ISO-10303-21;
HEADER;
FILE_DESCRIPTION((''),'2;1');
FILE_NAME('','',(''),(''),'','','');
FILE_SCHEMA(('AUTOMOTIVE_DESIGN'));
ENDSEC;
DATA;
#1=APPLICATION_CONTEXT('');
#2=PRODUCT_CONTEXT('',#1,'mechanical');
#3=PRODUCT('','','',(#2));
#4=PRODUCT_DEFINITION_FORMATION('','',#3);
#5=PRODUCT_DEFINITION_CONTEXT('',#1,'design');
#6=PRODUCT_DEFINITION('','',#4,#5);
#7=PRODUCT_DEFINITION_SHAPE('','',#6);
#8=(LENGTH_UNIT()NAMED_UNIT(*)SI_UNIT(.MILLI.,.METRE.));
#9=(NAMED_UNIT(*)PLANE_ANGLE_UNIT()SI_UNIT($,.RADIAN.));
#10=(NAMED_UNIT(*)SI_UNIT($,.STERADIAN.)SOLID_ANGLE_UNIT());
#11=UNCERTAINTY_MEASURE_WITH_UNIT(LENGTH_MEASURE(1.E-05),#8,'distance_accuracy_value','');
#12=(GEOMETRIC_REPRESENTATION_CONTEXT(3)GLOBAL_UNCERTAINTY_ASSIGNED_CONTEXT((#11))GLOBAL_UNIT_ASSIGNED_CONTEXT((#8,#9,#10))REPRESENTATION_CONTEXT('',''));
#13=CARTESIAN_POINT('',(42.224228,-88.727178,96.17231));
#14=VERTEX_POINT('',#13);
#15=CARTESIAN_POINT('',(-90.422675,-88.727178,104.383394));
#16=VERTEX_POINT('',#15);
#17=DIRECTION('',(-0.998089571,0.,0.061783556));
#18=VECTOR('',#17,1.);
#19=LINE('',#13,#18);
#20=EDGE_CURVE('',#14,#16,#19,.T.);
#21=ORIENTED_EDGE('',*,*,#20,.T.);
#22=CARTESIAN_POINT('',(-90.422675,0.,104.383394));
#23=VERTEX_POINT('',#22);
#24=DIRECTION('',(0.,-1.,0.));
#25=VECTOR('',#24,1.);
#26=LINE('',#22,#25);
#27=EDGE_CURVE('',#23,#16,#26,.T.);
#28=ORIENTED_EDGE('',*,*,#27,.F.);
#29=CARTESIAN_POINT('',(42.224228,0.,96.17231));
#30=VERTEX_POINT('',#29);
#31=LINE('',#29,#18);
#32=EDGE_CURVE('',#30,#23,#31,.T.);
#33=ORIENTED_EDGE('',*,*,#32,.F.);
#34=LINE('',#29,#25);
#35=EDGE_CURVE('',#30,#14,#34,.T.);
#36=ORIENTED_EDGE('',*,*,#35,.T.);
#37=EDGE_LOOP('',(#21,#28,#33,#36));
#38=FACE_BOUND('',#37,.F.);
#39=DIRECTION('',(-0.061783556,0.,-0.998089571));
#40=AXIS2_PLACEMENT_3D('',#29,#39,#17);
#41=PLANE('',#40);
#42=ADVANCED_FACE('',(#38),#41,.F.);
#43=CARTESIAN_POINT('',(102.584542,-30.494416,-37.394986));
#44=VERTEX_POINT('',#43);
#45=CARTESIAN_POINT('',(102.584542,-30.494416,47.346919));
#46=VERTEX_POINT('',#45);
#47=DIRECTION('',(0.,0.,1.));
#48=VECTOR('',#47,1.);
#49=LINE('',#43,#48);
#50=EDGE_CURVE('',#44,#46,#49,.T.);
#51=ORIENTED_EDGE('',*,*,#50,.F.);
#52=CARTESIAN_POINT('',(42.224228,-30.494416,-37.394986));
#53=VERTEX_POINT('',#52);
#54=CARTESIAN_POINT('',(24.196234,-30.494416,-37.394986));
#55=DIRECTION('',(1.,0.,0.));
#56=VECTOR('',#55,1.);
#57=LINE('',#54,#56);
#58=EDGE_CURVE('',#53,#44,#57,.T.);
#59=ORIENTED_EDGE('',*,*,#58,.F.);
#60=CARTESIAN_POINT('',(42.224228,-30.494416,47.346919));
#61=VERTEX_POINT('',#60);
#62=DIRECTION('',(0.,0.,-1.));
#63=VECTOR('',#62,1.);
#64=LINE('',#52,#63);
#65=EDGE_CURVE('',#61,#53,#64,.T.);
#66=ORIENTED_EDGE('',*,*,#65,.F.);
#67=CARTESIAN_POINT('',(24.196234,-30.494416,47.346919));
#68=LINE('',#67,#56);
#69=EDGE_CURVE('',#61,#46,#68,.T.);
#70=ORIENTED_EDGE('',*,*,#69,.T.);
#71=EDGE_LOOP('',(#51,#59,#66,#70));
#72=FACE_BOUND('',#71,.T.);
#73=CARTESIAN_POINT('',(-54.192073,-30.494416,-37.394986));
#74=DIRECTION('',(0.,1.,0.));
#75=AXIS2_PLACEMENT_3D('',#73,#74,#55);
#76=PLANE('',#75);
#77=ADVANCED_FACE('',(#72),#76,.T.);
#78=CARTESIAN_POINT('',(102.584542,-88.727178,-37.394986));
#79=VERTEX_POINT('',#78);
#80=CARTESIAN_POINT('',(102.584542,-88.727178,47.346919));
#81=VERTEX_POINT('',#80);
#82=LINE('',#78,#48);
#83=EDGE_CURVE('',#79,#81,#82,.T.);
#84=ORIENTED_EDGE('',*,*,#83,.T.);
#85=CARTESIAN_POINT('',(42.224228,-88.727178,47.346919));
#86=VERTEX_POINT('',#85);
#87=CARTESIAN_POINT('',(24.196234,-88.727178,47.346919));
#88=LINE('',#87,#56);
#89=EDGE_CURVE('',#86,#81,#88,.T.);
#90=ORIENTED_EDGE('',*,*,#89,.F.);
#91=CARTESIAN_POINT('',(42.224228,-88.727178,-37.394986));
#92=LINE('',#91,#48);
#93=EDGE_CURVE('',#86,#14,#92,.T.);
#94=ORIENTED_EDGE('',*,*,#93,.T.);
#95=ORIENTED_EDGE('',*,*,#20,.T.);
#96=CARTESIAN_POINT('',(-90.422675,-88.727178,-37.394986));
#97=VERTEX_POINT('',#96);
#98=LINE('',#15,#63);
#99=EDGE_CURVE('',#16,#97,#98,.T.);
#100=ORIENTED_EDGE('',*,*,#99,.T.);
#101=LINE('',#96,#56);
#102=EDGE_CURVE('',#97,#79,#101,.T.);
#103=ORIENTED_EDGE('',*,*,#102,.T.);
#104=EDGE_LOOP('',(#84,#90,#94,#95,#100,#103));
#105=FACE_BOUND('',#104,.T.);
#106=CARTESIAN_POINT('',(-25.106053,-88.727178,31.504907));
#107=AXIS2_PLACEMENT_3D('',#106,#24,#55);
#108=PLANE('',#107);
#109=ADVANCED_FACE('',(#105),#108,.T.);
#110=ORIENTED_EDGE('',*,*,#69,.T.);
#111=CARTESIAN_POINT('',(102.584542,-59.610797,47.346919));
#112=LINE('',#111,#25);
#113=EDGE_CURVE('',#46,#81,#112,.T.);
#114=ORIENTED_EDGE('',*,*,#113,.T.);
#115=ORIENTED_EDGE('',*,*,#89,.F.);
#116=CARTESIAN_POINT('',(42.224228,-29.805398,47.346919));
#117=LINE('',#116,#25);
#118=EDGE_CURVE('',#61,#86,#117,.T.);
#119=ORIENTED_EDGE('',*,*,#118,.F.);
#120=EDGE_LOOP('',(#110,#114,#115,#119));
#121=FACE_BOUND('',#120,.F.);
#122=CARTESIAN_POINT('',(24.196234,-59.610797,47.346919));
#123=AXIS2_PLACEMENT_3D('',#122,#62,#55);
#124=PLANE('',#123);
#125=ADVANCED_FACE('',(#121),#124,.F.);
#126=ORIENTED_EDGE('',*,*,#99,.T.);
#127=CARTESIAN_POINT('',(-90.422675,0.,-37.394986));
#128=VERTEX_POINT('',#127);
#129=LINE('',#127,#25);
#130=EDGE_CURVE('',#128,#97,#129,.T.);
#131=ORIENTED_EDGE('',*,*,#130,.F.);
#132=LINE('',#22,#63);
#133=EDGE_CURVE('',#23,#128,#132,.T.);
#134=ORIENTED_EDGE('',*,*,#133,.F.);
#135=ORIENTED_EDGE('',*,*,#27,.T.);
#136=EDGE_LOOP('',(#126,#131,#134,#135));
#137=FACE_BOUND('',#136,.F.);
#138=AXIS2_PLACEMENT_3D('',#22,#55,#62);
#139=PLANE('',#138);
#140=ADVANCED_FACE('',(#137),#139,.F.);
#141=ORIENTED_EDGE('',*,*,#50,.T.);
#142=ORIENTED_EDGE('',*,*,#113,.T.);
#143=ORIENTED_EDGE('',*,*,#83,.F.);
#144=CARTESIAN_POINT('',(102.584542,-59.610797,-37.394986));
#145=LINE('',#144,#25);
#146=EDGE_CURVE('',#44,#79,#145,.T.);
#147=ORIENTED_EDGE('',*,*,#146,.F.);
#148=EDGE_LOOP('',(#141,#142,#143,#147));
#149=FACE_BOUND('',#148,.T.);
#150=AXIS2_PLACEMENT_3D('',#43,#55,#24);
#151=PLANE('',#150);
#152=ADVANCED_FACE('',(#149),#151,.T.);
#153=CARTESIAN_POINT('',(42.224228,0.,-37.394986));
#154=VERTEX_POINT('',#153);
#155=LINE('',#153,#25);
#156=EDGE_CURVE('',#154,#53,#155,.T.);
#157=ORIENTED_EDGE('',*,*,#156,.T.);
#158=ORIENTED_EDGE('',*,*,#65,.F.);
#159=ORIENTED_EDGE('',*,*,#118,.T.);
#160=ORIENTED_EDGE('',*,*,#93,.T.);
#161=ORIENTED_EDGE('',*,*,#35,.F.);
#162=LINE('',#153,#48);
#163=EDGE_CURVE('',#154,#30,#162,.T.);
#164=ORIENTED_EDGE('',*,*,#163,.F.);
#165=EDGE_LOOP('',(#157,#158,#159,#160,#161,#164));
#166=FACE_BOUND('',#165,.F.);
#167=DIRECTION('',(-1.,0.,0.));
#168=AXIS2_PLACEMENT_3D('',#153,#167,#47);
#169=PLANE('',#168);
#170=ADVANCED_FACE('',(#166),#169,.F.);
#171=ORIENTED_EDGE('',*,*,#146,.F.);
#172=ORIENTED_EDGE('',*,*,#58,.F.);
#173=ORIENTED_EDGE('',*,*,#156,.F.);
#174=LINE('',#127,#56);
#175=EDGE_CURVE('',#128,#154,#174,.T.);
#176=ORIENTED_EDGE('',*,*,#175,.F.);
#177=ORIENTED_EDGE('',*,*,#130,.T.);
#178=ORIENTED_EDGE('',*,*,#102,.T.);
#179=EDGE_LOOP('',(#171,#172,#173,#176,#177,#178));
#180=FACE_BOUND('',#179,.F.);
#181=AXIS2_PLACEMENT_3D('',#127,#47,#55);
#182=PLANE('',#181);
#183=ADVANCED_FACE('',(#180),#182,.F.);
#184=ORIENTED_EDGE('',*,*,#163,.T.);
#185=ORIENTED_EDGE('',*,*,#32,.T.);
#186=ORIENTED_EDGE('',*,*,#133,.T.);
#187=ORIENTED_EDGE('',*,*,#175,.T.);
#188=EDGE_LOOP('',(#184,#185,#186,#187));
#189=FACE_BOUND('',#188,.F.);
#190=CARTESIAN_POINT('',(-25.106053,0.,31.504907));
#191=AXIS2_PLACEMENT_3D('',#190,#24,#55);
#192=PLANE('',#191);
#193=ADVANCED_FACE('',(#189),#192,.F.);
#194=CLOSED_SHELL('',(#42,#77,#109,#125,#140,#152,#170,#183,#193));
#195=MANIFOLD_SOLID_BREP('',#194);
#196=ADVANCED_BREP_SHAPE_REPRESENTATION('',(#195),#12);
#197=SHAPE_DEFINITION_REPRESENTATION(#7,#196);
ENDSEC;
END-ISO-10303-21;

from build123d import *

# Parameters (mm, degrees)
F1_DEPTH = 88.727178
F2_W     = 156.776615
F2_H     = 58.232762
F3_DEPTH = 84.741905


with BuildPart() as f1:
    # F0 (on Front) → F1 (new body)
    with BuildSketch(Plane.XZ):
        Polygon((42.224228, -37.394986), (42.224228, 96.17231), (-90.422675, 104.383394), (-90.422675, 87.380074), (-90.422675, -37.394986), align=None)
    extrude(amount=F1_DEPTH)

    # F2 (on face) → F3 (join)
    with BuildSketch(Plane(origin=(0, 0, -37.394986), x_dir=(1, 0, 0), z_dir=(0, 0, -1))):
        with Locations((24.196234, 59.610797)):
            Rectangle(F2_W, F2_H)
    extrude(amount=-F3_DEPTH)


solid = f1.part
